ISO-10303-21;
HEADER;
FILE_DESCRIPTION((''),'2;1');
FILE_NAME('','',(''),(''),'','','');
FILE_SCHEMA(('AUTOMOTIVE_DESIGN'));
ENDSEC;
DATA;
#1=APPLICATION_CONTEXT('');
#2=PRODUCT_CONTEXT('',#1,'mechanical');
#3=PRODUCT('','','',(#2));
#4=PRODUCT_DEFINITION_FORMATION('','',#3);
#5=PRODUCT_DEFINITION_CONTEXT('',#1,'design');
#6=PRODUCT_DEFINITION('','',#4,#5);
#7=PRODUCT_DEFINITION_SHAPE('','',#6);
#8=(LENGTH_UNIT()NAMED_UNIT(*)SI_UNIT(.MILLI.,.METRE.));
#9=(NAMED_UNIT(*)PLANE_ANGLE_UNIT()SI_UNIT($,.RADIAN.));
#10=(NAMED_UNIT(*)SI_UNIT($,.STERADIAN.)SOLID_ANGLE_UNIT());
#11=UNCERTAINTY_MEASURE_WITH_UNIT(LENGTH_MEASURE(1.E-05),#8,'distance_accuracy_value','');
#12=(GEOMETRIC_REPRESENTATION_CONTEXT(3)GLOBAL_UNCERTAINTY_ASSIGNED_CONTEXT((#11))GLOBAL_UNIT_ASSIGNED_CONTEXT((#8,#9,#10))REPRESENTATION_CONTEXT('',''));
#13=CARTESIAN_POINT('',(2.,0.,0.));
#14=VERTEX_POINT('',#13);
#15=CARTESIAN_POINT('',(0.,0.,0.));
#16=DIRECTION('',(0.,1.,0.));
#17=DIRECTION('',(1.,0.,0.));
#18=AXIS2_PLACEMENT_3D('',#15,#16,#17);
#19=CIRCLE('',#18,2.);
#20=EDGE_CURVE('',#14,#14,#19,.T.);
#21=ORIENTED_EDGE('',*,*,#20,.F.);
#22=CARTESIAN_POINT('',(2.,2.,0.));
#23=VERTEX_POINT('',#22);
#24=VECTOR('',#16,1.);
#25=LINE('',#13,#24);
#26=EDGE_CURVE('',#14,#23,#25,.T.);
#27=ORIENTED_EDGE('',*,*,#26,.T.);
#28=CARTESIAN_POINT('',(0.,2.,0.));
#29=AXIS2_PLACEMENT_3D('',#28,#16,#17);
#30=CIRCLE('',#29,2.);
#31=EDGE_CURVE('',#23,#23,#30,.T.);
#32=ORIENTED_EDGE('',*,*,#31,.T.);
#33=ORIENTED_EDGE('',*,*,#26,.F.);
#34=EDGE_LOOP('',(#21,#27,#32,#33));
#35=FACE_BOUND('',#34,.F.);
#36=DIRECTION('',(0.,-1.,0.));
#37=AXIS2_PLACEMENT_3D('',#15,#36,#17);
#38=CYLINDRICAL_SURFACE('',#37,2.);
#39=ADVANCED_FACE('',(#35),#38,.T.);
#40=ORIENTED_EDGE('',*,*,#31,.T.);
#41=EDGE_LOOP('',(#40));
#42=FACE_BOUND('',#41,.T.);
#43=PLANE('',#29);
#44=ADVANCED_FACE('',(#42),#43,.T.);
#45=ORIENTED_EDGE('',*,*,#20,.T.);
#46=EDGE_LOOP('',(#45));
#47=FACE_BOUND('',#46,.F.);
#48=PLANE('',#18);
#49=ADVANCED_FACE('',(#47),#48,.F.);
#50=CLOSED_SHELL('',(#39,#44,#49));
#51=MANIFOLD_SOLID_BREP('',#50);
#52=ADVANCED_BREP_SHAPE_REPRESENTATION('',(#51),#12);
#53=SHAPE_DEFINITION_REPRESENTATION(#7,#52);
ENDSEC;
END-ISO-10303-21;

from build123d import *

# Parameters (mm, degrees)
SKETCH1_R  = 2
BASE_DEPTH = 2


with BuildPart() as part:
    # Sketch1 → Base (new body)
    with BuildSketch(Plane(origin=(0, 0, 0), x_dir=(1, 0, 0), z_dir=(0, 1, 0))):
        Circle(SKETCH1_R)
    extrude(amount=BASE_DEPTH)


solid = part.part
